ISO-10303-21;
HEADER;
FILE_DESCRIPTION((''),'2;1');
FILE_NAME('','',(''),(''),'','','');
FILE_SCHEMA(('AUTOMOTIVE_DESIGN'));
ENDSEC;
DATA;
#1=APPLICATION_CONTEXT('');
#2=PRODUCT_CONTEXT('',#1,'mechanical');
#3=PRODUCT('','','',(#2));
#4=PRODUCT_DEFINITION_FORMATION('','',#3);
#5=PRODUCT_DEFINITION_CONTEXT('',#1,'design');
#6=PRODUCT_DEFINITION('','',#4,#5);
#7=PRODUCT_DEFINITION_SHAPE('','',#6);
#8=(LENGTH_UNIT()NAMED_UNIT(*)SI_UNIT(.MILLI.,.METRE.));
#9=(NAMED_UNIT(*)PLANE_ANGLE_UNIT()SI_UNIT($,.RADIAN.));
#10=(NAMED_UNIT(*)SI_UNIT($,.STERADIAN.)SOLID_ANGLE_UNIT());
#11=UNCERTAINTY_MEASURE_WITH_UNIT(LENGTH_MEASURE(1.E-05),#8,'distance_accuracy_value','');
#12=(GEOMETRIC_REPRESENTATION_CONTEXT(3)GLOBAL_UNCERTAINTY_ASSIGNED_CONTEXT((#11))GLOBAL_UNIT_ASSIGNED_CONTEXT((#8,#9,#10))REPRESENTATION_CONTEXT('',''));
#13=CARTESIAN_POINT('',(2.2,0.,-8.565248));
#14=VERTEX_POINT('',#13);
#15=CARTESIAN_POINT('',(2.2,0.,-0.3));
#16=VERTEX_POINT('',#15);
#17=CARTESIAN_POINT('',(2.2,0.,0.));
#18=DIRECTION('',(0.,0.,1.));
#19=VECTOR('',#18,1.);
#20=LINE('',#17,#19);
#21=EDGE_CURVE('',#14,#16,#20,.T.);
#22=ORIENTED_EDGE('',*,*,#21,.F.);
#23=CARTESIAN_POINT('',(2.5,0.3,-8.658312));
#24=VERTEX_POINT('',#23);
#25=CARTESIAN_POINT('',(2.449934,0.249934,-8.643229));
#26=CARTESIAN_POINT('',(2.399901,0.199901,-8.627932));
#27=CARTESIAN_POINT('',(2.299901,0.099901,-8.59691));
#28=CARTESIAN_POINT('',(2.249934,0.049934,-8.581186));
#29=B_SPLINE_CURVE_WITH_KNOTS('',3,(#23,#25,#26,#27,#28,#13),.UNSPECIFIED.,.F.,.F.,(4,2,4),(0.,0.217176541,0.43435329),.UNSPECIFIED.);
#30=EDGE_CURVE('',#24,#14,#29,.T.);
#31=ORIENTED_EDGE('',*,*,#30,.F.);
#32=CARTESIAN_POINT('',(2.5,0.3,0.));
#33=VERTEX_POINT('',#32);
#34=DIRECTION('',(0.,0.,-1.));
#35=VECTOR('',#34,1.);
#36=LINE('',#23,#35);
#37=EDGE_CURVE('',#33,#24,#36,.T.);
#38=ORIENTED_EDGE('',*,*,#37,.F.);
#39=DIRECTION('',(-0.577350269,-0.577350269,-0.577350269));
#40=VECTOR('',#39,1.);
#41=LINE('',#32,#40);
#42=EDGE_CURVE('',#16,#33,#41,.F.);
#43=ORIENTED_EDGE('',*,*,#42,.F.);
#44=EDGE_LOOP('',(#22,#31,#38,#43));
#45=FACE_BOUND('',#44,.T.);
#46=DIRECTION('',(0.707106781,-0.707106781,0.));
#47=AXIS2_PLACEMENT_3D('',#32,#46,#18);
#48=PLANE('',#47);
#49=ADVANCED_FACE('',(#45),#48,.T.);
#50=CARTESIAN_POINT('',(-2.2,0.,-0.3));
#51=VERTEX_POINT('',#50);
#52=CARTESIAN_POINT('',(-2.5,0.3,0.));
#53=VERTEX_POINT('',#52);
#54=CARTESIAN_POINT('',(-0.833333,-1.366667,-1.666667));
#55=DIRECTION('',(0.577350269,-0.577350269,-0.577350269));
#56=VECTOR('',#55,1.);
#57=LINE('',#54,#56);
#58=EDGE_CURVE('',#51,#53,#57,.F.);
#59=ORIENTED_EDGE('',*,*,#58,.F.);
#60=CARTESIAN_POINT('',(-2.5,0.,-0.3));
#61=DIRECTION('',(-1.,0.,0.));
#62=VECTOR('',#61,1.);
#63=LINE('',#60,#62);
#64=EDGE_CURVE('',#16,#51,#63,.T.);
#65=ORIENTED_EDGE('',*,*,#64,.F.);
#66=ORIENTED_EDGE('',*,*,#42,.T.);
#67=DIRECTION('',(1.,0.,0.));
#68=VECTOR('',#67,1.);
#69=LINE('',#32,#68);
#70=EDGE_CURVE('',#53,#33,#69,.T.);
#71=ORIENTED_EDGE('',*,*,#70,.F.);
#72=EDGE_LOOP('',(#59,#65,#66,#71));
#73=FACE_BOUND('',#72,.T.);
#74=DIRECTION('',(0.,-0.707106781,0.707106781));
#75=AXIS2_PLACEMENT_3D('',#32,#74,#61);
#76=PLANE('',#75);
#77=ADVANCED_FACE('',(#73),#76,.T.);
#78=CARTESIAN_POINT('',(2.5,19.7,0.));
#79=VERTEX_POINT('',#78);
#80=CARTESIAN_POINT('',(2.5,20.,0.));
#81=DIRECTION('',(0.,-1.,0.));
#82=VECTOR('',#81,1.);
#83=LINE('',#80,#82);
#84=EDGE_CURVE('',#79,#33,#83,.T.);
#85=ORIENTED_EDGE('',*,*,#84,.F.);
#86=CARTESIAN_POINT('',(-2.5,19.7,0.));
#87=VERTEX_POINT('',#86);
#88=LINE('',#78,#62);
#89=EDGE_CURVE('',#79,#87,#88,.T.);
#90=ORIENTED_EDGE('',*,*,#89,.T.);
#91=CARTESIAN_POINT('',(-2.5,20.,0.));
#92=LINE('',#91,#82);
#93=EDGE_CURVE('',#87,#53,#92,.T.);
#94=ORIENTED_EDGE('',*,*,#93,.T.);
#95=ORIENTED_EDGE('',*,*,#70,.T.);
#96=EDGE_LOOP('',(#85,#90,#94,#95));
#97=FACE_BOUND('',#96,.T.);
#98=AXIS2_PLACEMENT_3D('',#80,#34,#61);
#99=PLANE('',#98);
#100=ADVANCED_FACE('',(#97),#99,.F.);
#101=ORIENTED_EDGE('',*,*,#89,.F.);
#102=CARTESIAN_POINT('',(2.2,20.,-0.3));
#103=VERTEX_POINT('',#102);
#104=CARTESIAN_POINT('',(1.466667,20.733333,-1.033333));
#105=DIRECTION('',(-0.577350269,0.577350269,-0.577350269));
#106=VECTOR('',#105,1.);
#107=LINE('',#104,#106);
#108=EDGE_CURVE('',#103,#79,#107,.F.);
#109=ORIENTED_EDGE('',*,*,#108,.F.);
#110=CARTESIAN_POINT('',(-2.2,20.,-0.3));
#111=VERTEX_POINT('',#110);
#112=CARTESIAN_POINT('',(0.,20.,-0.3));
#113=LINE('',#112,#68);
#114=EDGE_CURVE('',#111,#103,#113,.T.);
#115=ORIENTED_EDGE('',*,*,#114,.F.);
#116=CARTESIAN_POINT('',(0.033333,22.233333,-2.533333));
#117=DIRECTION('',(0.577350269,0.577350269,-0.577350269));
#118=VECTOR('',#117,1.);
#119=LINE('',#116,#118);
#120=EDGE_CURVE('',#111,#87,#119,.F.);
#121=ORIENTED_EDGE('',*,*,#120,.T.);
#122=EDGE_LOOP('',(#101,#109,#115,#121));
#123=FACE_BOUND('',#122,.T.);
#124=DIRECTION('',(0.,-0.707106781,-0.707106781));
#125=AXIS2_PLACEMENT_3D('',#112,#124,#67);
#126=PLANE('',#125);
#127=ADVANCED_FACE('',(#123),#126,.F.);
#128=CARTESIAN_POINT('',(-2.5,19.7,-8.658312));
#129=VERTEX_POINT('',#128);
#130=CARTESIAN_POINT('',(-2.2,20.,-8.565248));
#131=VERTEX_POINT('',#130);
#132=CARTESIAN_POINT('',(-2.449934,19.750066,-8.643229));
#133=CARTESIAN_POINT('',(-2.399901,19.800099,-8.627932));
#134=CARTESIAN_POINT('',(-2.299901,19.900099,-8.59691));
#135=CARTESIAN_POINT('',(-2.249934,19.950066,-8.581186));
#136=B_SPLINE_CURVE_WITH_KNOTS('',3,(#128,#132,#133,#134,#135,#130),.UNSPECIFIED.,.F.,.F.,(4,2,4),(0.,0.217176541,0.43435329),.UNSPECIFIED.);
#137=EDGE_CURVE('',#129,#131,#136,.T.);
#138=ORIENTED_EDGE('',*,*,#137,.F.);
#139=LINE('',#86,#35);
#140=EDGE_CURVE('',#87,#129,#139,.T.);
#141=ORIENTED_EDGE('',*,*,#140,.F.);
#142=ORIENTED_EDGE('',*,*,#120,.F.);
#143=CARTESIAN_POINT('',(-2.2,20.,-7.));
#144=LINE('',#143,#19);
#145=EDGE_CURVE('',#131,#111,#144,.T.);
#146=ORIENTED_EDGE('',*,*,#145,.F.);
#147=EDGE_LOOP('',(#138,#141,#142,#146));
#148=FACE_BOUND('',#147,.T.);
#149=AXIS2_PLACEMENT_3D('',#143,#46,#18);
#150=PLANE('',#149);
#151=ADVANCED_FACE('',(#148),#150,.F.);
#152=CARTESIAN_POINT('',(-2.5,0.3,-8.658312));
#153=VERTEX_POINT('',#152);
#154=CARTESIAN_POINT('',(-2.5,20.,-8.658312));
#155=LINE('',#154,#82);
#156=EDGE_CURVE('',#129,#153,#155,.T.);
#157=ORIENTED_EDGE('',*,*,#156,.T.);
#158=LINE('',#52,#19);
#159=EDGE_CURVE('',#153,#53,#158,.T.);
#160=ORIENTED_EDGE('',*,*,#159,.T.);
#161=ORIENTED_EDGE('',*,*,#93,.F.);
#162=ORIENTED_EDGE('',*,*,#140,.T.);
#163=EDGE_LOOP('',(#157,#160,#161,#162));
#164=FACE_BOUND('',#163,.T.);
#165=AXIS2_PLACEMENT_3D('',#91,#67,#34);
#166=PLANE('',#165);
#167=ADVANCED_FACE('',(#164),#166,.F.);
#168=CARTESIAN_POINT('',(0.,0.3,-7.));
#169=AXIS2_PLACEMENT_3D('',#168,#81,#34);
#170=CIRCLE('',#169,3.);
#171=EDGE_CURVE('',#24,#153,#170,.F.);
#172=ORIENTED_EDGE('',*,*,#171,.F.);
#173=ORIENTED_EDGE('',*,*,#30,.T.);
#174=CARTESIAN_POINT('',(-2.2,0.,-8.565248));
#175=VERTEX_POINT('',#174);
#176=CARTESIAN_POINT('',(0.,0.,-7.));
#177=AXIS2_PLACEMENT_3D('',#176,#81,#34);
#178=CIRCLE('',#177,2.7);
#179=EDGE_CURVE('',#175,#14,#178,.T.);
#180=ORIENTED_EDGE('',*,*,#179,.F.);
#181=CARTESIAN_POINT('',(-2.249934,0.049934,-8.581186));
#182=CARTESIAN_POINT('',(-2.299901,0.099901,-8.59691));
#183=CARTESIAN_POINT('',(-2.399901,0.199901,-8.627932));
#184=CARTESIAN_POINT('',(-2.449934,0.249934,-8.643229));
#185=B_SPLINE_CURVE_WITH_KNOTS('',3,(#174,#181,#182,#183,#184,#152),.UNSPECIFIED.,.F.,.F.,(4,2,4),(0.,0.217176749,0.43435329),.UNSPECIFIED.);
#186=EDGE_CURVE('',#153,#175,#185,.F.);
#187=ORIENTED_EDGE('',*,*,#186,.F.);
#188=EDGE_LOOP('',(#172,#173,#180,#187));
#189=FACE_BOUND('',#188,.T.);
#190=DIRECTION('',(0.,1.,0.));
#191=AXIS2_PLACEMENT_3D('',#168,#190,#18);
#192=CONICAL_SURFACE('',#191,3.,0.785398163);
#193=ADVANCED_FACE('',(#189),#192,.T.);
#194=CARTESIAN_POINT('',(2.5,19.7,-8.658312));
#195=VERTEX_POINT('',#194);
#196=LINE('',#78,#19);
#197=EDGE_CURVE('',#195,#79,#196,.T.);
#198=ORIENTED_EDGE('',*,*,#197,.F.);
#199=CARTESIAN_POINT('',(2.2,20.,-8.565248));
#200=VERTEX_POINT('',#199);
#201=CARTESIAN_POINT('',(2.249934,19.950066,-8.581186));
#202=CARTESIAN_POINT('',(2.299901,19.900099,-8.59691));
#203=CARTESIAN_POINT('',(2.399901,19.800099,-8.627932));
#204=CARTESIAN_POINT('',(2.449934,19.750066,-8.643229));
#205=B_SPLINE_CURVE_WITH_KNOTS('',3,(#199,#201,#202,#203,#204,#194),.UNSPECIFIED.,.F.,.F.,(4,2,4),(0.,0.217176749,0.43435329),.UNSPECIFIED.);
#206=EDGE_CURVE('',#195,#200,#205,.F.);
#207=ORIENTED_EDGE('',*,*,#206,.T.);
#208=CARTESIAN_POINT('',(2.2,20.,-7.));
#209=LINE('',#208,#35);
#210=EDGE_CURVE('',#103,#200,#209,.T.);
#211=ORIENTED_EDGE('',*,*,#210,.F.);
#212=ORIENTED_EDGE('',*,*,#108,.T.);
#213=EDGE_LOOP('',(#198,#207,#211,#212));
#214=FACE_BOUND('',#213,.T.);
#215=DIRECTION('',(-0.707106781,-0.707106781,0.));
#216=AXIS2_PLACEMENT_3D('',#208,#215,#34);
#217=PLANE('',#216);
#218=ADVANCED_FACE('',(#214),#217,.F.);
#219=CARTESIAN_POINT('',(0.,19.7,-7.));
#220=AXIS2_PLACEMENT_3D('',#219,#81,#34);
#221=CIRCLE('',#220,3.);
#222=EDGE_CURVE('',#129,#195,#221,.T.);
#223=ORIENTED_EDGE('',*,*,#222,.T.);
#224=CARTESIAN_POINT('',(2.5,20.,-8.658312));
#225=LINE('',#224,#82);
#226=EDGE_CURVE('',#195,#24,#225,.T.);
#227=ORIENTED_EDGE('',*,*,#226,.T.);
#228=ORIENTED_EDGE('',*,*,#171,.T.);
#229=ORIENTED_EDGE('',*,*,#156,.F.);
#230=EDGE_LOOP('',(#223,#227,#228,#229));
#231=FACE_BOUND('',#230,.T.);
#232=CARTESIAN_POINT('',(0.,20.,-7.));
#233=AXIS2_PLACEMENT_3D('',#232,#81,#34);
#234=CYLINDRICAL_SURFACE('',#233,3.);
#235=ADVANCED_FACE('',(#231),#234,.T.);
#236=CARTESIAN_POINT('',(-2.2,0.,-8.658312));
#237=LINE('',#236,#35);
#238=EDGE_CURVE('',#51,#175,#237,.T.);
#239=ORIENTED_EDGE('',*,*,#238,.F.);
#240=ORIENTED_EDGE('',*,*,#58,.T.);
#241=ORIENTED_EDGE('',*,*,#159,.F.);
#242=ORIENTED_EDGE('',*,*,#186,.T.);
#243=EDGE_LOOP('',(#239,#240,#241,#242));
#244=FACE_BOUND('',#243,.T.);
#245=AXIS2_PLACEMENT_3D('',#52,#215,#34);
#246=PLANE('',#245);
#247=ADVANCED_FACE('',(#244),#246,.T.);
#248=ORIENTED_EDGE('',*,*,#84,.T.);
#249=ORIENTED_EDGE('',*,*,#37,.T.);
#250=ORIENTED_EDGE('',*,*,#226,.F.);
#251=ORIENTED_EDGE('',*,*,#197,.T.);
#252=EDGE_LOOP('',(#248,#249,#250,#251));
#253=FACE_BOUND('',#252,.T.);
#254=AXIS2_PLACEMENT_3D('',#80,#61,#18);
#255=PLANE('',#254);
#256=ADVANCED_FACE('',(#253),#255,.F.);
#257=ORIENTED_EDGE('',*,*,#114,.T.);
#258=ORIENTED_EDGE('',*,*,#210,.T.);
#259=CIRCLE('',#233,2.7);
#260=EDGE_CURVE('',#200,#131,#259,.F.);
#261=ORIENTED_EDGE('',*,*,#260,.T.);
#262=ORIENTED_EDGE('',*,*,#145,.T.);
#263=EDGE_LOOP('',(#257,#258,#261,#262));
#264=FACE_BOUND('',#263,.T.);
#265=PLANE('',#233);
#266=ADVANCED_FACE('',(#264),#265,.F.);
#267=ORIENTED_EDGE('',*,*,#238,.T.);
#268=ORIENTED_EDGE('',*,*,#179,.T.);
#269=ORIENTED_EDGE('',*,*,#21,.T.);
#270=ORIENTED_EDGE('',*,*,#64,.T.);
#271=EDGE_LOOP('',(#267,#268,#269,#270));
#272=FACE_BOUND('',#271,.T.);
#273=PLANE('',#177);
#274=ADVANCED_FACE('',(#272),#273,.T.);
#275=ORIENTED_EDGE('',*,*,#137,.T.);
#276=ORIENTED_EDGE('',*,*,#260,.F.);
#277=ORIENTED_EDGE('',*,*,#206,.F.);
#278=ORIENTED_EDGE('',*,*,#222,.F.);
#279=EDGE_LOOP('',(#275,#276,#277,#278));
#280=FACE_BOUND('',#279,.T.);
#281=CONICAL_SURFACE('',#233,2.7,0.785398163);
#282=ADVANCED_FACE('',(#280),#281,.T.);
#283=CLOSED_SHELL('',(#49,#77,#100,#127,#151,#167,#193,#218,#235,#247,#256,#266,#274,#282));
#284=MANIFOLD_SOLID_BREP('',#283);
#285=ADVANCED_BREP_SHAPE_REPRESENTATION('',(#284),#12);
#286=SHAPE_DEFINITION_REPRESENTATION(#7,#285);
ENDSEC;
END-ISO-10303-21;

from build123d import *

# Parameters (mm, degrees)
BOSS_EXTRUDE1_DEPTH = 20
CHAMFER1_SIZE       = 0.3


with BuildPart() as part:
    # Sketch1 → Boss-Extrude1 (new body)
    with BuildSketch(Plane(origin=(0, 0, 0), x_dir=(1, 0, 0), z_dir=(0, 1, 0))):
        with BuildLine():
            Line((2.5, 0), (-2.5, 0))
            Line((-2.5, 0), (-2.5, 8.658312395))
            ThreePointArc((-2.5, 8.658312395), (0, 10), (2.5, 8.658312395))
            Line((2.5, 8.658312395), (2.5, 0))
        make_face()
    extrude(amount=BOSS_EXTRUDE1_DEPTH)

    # Chamfer1
    chamfer1_edges = [part.edges().sort_by_distance(p)[0] for p in [
        (0, 20, 0),
        (2.5, 20, -4.329156198),
        (0, 20, -10),
        (2.5, 0, -4.329156198),
        (0, 0, 0),
        (-2.5, 0, -4.329156198),
        (0, 0, -10),
        (-2.5, 20, -4.329156198),
    ]]
    chamfer(chamfer1_edges, length=CHAMFER1_SIZE)


solid = part.part
